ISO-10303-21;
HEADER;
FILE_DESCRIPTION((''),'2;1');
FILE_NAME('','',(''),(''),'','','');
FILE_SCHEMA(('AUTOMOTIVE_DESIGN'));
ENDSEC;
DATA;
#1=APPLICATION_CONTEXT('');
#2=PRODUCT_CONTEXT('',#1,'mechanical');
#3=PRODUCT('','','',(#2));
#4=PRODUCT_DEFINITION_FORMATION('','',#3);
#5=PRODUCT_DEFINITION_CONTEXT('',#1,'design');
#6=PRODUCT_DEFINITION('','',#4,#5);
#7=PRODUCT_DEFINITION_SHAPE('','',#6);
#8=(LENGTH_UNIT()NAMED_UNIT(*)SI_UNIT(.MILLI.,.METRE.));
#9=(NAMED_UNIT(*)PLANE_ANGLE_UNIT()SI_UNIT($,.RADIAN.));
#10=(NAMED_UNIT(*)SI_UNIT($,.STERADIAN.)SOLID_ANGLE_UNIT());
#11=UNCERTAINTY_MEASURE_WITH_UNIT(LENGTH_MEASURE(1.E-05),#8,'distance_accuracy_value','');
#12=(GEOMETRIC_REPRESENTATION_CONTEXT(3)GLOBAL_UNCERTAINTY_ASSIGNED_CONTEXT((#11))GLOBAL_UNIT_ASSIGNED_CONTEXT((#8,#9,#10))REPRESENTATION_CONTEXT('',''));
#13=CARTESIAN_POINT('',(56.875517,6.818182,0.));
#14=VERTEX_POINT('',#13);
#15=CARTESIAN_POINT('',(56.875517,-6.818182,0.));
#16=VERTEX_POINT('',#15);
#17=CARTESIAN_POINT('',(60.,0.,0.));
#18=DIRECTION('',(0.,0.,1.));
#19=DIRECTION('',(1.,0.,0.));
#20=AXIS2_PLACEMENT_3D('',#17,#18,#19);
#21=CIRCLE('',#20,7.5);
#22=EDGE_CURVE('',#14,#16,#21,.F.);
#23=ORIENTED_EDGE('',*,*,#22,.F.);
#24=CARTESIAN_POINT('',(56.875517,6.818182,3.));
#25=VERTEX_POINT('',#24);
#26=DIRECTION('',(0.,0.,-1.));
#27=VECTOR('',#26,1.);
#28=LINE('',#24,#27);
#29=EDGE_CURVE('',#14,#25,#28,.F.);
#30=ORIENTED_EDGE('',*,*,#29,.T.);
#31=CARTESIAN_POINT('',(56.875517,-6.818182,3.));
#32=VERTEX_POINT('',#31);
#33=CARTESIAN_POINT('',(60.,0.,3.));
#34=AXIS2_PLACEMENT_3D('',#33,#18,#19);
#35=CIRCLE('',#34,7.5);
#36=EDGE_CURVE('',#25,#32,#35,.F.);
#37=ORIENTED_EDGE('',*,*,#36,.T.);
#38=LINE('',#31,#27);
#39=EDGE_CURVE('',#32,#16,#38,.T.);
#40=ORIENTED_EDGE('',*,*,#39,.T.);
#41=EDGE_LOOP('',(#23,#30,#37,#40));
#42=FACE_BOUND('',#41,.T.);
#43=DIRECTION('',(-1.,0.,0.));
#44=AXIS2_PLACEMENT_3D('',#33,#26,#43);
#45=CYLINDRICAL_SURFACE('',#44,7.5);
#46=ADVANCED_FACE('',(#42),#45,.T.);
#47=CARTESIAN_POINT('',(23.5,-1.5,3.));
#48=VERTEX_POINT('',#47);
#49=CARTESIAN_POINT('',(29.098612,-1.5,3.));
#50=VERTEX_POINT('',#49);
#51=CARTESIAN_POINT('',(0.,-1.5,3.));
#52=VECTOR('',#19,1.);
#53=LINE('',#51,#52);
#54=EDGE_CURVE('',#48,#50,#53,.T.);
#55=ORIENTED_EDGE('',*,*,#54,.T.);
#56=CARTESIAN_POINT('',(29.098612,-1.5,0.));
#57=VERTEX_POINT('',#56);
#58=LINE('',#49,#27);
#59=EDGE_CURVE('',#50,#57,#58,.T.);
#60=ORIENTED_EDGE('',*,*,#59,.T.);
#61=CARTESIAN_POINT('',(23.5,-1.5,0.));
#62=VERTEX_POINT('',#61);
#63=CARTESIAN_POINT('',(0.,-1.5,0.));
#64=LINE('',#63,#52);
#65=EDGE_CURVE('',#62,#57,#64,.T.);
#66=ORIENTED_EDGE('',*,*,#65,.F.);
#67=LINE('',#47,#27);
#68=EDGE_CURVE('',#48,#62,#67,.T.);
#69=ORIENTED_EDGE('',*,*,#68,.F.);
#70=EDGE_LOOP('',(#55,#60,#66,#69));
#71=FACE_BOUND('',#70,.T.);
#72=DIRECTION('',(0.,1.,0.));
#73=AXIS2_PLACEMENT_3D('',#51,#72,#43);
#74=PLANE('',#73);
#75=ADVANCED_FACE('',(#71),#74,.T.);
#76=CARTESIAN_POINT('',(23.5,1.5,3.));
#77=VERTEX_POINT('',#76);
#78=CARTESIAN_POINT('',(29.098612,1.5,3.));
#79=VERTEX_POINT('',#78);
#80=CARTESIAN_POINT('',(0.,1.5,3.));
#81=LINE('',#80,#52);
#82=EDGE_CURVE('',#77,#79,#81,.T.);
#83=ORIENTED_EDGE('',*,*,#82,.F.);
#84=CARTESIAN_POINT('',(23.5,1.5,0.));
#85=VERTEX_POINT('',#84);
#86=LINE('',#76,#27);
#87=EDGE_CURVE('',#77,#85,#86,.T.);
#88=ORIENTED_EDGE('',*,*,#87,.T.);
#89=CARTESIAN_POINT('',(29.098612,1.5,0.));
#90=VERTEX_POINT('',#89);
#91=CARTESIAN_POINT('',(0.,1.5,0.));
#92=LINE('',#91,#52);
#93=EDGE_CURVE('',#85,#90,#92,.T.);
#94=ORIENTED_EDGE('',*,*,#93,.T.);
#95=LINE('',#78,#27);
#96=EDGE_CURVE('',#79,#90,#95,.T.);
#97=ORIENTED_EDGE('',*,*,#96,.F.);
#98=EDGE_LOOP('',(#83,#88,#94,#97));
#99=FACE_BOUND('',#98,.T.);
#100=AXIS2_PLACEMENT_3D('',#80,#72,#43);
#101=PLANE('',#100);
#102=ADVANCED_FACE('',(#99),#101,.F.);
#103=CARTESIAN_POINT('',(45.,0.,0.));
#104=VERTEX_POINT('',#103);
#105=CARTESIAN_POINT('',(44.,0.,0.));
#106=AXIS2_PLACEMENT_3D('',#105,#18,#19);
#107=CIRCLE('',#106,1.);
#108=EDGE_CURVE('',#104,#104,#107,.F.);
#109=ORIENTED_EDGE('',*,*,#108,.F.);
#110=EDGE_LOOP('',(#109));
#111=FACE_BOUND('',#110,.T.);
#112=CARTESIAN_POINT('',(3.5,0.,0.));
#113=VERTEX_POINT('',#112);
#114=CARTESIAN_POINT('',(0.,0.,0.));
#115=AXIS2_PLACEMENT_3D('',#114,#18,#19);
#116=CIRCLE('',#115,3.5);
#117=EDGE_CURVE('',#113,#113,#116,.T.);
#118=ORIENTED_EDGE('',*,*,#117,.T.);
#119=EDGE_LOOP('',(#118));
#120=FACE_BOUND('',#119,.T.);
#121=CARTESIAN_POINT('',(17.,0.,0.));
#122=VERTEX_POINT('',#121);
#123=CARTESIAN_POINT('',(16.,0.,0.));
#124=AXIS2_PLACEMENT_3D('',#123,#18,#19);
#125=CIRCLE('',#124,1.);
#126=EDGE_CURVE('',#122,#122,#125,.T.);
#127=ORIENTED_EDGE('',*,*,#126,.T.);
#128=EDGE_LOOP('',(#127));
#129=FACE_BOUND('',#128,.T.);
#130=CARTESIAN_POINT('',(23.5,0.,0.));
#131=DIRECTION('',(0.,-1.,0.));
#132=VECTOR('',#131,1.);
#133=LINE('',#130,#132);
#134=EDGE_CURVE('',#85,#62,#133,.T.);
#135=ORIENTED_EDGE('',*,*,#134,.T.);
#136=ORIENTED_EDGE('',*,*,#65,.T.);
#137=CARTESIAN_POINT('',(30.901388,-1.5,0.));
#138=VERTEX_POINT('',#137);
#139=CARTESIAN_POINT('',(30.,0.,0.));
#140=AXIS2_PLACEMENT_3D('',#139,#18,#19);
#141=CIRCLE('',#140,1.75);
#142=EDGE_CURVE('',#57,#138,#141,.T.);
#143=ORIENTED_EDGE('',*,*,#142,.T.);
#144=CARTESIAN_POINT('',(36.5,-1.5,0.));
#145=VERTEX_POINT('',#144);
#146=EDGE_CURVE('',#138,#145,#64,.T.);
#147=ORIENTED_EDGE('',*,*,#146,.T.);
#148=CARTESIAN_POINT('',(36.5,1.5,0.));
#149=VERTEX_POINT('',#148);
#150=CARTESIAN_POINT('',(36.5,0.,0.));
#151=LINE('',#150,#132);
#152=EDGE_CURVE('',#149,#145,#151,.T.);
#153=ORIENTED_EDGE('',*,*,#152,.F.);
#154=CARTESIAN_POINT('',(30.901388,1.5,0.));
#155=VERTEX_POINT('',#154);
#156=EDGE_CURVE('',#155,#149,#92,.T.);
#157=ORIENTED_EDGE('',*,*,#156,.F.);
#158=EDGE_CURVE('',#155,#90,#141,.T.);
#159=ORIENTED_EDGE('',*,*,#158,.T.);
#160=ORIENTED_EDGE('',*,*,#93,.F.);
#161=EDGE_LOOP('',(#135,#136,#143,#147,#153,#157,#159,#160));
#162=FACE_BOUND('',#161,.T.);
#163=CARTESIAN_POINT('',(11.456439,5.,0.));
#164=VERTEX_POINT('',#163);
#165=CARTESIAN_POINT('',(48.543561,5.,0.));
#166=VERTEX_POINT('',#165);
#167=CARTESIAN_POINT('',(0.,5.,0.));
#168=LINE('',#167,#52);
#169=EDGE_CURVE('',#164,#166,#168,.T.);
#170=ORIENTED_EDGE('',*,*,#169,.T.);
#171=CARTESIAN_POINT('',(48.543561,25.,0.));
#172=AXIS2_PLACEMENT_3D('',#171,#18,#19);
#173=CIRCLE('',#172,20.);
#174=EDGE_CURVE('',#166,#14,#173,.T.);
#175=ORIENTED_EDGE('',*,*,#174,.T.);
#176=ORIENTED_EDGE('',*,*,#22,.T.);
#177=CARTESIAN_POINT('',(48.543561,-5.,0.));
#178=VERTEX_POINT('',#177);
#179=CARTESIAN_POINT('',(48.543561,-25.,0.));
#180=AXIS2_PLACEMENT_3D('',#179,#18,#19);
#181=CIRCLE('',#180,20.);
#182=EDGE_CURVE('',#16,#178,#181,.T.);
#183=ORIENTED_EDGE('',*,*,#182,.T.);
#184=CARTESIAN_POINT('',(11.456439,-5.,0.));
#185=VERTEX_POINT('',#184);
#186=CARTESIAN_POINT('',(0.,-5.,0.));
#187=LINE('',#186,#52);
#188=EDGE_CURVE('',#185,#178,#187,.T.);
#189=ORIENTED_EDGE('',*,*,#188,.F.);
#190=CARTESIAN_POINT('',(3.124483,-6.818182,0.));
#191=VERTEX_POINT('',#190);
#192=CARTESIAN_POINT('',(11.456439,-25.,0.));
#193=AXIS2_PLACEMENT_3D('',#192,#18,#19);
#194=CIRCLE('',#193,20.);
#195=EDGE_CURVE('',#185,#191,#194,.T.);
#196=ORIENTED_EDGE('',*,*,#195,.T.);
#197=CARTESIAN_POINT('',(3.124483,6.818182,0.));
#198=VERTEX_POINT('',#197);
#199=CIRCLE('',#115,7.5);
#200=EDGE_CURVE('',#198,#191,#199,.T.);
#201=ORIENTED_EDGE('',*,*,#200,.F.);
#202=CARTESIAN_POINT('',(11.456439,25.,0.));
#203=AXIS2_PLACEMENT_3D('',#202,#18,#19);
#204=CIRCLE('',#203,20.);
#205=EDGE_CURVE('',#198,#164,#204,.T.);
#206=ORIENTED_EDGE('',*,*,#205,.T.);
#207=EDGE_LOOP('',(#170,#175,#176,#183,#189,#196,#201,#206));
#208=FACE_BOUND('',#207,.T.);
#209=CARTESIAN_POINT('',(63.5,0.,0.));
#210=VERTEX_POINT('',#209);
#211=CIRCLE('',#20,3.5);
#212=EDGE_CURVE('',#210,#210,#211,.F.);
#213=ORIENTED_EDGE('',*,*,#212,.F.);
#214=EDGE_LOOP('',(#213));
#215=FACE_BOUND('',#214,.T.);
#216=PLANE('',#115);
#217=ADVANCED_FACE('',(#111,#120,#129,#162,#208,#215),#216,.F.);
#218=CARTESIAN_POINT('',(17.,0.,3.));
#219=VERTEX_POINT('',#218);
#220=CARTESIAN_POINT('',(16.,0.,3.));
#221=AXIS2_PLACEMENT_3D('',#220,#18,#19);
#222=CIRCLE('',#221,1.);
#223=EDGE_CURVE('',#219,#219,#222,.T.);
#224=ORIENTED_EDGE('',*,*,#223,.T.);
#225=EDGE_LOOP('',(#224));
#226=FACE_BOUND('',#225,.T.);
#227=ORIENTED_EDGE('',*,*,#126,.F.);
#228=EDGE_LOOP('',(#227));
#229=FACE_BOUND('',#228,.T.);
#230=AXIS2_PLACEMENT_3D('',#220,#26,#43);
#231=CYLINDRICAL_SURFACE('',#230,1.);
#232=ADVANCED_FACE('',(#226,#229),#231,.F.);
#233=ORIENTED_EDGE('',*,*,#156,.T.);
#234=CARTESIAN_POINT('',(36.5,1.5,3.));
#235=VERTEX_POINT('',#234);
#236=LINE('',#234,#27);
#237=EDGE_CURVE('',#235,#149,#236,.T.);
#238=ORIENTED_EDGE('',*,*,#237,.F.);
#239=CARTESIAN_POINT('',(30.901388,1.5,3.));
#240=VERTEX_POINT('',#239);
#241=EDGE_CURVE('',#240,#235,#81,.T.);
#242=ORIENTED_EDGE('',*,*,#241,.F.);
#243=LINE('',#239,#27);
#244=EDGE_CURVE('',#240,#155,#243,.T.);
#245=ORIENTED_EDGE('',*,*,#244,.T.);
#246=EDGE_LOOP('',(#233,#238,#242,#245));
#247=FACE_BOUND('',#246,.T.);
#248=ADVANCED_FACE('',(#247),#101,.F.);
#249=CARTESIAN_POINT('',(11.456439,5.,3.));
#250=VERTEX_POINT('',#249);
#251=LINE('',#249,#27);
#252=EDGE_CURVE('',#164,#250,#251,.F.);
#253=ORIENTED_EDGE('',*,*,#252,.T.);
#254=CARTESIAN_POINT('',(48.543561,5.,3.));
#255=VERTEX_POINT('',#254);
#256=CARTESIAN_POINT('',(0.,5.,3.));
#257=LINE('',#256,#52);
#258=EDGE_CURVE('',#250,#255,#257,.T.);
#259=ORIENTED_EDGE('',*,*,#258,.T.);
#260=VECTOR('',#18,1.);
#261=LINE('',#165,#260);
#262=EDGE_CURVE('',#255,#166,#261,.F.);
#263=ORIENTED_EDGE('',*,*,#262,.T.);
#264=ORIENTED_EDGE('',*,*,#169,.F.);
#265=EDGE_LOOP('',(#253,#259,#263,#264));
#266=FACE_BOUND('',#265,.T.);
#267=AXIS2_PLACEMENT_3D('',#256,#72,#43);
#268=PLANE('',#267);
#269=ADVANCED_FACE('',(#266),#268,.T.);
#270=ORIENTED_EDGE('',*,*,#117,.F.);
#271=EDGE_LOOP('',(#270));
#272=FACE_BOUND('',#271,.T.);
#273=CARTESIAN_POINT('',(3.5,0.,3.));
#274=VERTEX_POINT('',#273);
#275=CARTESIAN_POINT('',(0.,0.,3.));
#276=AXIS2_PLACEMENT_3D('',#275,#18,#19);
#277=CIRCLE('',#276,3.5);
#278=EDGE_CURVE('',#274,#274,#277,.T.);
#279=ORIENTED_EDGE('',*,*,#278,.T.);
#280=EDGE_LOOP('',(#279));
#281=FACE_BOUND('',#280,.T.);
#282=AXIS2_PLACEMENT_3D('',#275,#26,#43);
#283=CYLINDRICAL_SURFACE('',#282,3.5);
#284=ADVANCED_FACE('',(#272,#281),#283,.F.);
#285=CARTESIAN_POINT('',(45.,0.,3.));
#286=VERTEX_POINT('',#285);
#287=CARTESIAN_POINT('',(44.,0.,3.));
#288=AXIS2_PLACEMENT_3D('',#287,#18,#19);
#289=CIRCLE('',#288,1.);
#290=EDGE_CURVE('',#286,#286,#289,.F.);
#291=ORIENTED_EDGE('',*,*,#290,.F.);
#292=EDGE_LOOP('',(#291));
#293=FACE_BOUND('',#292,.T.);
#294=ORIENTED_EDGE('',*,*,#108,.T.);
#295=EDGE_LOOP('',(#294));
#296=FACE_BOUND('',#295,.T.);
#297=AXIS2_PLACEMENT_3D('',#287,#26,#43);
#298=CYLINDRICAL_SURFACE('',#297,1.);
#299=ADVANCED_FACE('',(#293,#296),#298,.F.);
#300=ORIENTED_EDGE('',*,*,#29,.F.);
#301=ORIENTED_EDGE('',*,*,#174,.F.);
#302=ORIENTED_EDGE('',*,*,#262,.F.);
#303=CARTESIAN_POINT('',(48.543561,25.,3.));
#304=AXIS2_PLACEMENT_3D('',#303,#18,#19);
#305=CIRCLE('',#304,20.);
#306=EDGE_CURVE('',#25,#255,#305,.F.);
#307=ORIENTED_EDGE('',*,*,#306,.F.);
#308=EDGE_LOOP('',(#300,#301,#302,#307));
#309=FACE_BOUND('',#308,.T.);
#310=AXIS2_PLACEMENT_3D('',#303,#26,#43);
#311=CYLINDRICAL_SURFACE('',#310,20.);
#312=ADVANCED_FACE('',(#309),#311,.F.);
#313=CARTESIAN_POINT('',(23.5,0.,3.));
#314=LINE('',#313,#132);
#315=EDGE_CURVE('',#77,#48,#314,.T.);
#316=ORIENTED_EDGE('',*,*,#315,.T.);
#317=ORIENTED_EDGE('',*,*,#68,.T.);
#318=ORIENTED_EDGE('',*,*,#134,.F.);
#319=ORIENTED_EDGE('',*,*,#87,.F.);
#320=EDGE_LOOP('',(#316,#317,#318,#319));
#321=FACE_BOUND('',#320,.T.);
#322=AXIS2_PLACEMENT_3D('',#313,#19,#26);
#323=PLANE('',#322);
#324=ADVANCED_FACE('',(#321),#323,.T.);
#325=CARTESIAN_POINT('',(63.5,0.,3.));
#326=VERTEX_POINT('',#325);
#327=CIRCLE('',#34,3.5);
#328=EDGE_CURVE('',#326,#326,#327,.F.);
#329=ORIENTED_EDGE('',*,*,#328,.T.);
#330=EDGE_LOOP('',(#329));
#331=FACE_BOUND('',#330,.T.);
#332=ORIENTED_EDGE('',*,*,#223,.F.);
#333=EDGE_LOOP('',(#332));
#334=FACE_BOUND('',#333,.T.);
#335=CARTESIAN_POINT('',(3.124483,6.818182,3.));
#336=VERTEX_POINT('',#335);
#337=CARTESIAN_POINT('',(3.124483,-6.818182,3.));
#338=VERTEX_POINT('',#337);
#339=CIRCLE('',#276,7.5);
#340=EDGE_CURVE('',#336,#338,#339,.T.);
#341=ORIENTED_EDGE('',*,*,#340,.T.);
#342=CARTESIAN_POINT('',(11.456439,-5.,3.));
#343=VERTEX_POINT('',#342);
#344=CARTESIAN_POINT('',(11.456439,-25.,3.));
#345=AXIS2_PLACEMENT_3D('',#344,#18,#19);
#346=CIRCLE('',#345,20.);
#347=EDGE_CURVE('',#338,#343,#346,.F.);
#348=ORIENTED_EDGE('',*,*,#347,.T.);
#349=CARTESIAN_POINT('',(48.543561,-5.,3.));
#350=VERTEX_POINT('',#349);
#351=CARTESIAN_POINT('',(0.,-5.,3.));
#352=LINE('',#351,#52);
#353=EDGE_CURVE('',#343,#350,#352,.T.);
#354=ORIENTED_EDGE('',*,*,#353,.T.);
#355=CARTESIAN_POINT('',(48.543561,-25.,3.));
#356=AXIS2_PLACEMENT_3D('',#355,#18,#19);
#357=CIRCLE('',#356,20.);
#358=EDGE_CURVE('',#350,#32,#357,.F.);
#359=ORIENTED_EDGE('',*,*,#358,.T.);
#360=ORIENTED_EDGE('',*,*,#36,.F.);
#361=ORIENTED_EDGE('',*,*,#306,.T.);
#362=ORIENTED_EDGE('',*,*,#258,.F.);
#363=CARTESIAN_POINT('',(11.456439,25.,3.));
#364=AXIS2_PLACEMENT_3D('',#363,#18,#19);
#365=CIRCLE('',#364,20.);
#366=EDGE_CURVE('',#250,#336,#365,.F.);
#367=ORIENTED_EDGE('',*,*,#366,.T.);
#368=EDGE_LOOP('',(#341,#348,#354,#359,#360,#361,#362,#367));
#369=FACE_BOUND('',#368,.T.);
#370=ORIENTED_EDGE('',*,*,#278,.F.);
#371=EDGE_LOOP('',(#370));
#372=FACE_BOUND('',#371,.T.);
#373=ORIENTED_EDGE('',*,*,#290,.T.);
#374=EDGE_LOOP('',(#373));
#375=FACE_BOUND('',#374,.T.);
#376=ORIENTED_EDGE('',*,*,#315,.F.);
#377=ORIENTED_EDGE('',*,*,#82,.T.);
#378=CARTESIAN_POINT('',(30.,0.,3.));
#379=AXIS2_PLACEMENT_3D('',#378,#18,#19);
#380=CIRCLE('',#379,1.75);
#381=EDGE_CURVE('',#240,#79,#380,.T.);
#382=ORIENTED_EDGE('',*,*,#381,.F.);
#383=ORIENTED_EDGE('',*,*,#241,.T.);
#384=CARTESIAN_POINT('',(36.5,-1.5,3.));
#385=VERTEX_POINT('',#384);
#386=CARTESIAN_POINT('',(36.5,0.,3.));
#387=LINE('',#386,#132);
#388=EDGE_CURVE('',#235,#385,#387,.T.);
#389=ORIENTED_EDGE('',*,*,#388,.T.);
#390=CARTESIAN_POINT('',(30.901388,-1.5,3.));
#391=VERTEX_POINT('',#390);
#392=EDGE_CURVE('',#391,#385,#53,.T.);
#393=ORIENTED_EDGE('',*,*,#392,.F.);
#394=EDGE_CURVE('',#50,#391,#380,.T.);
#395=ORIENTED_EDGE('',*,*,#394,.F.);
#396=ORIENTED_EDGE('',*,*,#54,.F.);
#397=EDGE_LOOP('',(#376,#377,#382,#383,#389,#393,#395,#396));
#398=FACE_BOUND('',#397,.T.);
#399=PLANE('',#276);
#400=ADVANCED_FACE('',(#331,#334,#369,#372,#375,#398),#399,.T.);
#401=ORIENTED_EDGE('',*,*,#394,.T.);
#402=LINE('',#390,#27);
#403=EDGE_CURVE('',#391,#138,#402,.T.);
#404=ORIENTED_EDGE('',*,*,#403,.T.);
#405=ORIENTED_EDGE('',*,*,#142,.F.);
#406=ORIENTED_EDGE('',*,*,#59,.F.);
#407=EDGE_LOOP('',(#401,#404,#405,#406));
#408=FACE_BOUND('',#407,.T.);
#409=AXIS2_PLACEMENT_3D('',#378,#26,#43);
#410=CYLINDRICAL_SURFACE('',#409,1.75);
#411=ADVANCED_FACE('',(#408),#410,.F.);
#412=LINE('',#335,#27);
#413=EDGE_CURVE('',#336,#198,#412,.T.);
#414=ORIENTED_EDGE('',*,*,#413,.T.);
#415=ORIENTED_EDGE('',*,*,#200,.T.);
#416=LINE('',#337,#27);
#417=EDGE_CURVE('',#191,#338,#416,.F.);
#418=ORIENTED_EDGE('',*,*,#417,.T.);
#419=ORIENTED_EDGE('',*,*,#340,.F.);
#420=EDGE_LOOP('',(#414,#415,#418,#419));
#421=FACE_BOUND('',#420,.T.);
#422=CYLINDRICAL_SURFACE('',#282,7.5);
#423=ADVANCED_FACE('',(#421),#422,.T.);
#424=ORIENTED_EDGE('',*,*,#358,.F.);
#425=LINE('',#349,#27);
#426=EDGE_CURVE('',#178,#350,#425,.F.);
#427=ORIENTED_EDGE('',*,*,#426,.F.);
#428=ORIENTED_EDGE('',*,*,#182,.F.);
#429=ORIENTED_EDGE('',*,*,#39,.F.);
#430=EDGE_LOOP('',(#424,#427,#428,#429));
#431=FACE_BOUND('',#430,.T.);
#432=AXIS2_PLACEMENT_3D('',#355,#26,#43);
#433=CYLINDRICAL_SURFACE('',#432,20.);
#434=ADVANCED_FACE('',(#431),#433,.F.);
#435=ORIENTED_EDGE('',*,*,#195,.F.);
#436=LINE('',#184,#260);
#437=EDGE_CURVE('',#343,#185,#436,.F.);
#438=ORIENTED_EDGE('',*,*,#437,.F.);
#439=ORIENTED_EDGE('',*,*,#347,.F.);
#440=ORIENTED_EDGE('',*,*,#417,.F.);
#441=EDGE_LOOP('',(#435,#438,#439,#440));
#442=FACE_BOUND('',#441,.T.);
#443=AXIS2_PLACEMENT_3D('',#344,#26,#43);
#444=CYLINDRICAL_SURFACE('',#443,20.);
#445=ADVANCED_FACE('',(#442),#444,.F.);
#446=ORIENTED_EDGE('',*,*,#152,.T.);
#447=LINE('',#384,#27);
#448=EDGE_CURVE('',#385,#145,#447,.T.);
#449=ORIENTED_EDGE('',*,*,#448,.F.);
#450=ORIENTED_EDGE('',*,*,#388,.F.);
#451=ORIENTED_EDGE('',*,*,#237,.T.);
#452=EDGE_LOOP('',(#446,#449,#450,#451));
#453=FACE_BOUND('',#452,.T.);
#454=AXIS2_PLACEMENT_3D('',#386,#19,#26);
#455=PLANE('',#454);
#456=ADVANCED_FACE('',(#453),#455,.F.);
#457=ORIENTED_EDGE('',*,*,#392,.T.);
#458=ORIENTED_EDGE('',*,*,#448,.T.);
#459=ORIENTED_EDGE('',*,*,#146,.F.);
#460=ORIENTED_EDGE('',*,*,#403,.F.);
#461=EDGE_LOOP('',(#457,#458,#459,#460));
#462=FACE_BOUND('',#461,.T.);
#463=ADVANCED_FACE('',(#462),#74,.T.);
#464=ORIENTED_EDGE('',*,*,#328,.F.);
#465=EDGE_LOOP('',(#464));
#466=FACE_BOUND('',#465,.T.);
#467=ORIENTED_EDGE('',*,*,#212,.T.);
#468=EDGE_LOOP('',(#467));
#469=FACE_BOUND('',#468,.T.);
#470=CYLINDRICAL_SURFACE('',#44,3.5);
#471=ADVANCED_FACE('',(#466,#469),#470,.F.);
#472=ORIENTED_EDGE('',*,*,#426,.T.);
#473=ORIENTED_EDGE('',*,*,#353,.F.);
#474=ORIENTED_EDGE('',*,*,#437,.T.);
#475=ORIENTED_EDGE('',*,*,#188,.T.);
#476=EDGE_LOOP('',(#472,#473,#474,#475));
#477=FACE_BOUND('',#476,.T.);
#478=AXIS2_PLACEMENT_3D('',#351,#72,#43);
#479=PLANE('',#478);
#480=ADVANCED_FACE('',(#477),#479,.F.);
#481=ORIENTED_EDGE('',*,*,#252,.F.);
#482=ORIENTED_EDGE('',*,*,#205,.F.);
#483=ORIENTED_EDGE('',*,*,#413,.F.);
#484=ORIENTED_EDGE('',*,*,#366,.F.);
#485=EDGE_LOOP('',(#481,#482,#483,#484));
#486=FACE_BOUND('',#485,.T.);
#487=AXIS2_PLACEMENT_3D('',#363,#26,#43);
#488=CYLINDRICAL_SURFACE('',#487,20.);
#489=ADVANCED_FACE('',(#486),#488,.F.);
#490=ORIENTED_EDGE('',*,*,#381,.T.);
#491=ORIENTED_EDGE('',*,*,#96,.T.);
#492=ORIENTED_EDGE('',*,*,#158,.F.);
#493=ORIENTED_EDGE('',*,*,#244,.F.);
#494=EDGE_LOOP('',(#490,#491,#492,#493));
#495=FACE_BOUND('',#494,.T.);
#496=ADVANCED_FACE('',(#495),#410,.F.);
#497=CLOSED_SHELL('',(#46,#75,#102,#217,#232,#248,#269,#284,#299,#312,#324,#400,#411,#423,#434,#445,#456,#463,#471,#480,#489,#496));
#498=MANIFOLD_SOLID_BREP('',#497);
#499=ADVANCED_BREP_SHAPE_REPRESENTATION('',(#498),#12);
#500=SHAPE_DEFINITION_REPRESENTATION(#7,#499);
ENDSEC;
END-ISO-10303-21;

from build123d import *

# Parameters (mm, degrees)
ESBO_O1_R                = 1
ESBO_O1_R_2              = 3.5
RESSALTO_EXTRUS_O1_DEPTH = 3
FILETE1_R                = 20


with BuildPart() as part:
    # Esboço1 → Ressalto-extrusão1 (new body)
    with BuildSketch(Plane.XY):
        with BuildLine():
            Line((5.590169944, -5), (54.409830056, -5))
            ThreePointArc((54.409830056, -5), (67.5, 0), (54.409830056, 5))
            Line((54.409830056, 5), (5.590169944, 5))
            ThreePointArc((5.590169944, 5), (-7.5, 0), (5.590169944, -5))
        make_face()
        with Locations((44, 0)):
            Circle(ESBO_O1_R, mode=Mode.SUBTRACT)
        with Locations((16, 0)):
            Circle(ESBO_O1_R, mode=Mode.SUBTRACT)
        Circle(ESBO_O1_R_2, mode=Mode.SUBTRACT)
        with Locations((60, 0)):
            Circle(ESBO_O1_R_2, mode=Mode.SUBTRACT)
        with BuildLine():
            Line((30.901387819, 1.5), (36.5, 1.5))
            Line((36.5, 1.5), (36.5, -1.5))
            Line((36.5, -1.5), (30.901387819, -1.5))
            ThreePointArc((30.901387819, -1.5), (30, -1.75), (29.098612181, -1.5))
            Line((29.098612181, -1.5), (23.5, -1.5))
            Line((23.5, -1.5), (23.5, 1.5))
            Line((23.5, 1.5), (29.098612181, 1.5))
            ThreePointArc((29.098612181, 1.5), (30, 1.75), (30.901387819, 1.5))
        make_face(mode=Mode.SUBTRACT)
    extrude(amount=RESSALTO_EXTRUS_O1_DEPTH)

    # Filete1
    filete1_edges = [part.edges().sort_by_distance(p)[0] for p in [
        (54.409830056, -5, 1.5),
        (5.590169944, -5, 1.5),
        (5.590169944, 5, 1.5),
        (54.409830056, 5, 1.5),
    ]]
    fillet(filete1_edges, radius=FILETE1_R)


solid = part.part
